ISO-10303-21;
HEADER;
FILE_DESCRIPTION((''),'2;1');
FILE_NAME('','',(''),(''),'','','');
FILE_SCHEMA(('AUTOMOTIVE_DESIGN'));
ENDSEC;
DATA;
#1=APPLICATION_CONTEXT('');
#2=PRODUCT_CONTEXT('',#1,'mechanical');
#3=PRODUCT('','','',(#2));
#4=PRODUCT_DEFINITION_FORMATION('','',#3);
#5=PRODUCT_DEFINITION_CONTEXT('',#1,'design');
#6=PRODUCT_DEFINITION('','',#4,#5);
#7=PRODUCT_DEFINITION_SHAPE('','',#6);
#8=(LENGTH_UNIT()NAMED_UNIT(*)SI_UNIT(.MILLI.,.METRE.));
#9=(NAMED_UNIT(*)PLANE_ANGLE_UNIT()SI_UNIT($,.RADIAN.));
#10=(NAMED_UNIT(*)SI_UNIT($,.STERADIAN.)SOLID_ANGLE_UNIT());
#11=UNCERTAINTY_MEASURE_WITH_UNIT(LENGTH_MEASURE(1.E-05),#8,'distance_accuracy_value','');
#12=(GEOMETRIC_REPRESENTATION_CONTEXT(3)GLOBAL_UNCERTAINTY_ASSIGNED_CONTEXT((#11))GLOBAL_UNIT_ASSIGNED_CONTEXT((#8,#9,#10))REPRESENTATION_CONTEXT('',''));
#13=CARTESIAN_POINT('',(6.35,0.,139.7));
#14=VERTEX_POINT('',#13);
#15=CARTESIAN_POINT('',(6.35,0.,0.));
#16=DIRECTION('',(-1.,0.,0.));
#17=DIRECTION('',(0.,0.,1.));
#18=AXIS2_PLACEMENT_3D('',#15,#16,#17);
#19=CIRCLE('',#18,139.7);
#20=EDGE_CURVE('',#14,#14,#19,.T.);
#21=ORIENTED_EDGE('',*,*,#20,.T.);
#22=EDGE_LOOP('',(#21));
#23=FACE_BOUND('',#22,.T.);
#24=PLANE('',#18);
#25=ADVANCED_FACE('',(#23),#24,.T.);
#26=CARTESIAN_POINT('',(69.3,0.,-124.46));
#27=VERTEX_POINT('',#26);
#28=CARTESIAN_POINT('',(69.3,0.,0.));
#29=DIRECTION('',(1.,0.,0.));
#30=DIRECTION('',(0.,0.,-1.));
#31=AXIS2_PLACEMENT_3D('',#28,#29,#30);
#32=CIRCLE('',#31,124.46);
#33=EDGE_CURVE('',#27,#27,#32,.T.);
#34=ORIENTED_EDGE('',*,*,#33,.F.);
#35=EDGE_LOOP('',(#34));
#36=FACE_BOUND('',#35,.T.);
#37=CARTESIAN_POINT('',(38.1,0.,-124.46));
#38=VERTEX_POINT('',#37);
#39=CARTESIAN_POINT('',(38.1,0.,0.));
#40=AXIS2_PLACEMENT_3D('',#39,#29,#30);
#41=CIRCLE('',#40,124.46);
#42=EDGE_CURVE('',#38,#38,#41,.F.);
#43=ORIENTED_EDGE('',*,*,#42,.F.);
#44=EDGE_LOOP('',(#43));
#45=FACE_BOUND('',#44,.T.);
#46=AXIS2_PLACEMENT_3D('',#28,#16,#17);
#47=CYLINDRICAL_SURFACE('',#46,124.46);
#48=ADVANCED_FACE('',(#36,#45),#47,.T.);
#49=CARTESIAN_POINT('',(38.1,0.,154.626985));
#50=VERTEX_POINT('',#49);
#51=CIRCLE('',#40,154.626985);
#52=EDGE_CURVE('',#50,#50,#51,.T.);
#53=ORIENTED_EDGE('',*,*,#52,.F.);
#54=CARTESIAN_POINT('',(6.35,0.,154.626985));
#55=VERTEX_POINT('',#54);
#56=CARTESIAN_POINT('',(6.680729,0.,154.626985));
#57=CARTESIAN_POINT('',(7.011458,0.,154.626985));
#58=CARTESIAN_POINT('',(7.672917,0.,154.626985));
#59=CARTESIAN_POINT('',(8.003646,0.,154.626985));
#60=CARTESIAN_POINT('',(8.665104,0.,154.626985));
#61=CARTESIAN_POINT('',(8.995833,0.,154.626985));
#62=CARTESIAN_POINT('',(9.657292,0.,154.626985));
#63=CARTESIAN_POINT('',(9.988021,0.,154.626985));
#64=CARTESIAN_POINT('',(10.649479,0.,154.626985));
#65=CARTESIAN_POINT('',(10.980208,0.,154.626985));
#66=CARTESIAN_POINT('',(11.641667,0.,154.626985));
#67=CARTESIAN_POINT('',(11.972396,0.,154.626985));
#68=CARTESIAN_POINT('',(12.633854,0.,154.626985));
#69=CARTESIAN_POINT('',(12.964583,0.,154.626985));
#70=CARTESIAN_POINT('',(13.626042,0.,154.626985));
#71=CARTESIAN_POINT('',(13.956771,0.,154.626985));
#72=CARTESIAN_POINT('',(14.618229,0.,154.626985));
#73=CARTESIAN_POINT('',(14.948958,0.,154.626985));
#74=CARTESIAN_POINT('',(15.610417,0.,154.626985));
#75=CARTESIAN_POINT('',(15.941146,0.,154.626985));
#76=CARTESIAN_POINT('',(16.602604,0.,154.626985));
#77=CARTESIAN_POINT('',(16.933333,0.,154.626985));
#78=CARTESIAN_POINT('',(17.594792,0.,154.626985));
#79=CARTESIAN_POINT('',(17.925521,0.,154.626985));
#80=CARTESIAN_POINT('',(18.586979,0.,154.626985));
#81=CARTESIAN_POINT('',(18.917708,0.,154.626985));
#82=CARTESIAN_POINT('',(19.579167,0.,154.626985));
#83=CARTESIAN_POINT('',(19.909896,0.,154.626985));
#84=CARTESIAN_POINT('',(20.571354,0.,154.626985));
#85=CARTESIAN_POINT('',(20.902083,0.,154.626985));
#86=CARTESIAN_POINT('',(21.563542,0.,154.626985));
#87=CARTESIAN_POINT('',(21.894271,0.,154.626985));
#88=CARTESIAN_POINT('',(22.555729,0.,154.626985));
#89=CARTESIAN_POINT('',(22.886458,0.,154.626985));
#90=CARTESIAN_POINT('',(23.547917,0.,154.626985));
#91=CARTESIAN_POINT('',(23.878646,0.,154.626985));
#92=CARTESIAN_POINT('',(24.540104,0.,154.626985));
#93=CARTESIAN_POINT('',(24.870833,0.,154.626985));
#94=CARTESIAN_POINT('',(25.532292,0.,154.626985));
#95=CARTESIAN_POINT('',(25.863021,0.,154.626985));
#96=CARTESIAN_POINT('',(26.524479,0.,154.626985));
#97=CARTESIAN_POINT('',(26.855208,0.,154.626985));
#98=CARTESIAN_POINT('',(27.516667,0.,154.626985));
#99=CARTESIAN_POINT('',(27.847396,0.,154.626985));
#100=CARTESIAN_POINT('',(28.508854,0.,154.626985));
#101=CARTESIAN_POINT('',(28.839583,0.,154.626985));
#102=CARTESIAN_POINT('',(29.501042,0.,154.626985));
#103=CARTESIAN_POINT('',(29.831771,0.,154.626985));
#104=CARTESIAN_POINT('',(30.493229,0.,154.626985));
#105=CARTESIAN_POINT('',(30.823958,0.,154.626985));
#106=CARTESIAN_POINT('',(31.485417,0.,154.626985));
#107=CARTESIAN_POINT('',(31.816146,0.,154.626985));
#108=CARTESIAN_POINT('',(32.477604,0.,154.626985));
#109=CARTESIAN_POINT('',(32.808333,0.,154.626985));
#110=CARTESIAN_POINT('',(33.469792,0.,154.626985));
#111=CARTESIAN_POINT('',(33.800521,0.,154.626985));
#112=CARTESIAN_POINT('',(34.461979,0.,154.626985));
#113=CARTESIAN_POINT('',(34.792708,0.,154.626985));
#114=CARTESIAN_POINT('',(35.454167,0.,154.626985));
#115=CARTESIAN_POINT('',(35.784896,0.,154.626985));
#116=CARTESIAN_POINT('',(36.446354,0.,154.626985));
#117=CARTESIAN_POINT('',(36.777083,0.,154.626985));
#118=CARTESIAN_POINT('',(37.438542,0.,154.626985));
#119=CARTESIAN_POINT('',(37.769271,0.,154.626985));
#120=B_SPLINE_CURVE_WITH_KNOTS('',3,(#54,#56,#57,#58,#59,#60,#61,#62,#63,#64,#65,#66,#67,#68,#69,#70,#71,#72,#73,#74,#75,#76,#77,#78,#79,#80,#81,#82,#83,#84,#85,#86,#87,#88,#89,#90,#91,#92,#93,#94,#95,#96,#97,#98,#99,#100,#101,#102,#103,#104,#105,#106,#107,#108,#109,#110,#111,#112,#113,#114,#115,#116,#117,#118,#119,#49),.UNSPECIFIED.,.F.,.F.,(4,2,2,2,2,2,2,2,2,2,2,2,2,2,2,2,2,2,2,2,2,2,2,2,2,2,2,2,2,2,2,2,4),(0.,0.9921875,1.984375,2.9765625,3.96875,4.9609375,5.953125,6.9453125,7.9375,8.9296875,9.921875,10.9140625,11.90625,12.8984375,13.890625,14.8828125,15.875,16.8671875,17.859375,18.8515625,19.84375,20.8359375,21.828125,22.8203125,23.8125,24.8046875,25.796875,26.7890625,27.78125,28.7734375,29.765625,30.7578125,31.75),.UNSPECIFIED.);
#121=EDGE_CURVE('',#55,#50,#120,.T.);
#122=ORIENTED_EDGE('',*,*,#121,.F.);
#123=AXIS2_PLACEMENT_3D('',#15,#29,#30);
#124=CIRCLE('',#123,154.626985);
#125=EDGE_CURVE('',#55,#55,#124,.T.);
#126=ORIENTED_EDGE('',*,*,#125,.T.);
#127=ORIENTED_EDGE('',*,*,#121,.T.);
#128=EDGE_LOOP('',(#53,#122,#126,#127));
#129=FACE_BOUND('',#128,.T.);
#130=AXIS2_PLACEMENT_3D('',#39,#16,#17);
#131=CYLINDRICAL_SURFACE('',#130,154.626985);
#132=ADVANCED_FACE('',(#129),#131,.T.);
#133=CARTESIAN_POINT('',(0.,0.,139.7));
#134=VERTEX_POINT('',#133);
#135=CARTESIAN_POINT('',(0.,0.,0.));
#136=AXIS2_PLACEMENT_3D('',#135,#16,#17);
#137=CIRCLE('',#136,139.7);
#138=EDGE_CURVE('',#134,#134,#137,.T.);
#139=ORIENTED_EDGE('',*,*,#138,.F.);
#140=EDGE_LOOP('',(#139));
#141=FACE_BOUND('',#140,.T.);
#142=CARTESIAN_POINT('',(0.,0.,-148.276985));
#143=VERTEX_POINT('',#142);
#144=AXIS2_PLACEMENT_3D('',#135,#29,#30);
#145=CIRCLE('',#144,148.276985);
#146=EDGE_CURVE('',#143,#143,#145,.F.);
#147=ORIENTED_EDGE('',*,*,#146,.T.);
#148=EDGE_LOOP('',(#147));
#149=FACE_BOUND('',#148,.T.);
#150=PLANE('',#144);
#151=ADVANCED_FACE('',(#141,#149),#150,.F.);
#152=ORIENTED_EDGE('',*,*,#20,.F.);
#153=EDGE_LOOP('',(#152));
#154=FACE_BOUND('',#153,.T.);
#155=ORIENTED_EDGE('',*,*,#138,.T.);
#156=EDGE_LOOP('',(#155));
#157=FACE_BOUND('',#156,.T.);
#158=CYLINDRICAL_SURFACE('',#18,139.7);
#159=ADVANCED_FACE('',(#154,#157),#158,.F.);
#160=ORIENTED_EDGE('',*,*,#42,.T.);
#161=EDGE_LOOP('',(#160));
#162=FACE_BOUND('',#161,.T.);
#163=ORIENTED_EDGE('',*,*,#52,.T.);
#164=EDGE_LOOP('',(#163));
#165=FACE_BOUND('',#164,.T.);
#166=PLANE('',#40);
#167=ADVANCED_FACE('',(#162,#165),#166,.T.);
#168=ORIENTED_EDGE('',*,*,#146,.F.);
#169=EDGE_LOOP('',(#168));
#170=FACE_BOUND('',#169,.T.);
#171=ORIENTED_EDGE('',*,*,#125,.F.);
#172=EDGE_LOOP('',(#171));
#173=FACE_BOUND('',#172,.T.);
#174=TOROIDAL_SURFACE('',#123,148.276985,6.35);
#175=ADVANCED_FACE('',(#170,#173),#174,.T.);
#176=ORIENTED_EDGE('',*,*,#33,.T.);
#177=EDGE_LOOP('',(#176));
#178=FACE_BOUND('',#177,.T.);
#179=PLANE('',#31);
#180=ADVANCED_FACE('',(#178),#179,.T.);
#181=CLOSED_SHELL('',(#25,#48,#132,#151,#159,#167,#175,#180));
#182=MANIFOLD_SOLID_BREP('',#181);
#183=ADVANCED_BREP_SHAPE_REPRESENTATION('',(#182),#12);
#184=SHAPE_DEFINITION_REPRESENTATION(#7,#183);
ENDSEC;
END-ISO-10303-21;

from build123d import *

# Parameters (mm, degrees)
SKETCH1_R           = 154.626985005
BOSS_EXTRUDE1_DEPTH = 38.1
BOSS_EXTRUDE2_START = -38.1
SKETCH2_R           = 124.46
BOSS_EXTRUDE2_DEPTH = 69.3
SKETCH3_R           = 139.7
CUT_EXTRUDE1_DEPTH  = 6.35
FILLET1_R           = 6.35


with BuildPart() as part:
    # Sketch1 → Boss-Extrude1 (new body)
    with BuildSketch(Plane(origin=(0, 0, 0), x_dir=(0, 0, -1), z_dir=(1, 0, 0))):
        with Locations(Location((0, 0, 0), (0, 0, 180))):
            Circle(SKETCH1_R)
    extrude(amount=BOSS_EXTRUDE1_DEPTH)

    # Sketch2 → Boss-Extrude2 (add)
    with BuildSketch(Plane(origin=(38.1, 0, 0), x_dir=(0, 0, -1), z_dir=(1, 0, 0)).offset(BOSS_EXTRUDE2_START)):
        Circle(SKETCH2_R)
    extrude(amount=BOSS_EXTRUDE2_DEPTH)

    # Sketch3 → Cut-Extrude1 (cut)
    with BuildSketch(Plane.ZY):
        Circle(SKETCH3_R)
    extrude(amount=-CUT_EXTRUDE1_DEPTH, mode=Mode.SUBTRACT)

    # Fillet1
    fillet1_edges = [part.edges().sort_by_distance(p)[0] for p in [
        (0, 0, -154.626985005),
    ]]
    fillet(fillet1_edges, radius=FILLET1_R)


solid = part.part
